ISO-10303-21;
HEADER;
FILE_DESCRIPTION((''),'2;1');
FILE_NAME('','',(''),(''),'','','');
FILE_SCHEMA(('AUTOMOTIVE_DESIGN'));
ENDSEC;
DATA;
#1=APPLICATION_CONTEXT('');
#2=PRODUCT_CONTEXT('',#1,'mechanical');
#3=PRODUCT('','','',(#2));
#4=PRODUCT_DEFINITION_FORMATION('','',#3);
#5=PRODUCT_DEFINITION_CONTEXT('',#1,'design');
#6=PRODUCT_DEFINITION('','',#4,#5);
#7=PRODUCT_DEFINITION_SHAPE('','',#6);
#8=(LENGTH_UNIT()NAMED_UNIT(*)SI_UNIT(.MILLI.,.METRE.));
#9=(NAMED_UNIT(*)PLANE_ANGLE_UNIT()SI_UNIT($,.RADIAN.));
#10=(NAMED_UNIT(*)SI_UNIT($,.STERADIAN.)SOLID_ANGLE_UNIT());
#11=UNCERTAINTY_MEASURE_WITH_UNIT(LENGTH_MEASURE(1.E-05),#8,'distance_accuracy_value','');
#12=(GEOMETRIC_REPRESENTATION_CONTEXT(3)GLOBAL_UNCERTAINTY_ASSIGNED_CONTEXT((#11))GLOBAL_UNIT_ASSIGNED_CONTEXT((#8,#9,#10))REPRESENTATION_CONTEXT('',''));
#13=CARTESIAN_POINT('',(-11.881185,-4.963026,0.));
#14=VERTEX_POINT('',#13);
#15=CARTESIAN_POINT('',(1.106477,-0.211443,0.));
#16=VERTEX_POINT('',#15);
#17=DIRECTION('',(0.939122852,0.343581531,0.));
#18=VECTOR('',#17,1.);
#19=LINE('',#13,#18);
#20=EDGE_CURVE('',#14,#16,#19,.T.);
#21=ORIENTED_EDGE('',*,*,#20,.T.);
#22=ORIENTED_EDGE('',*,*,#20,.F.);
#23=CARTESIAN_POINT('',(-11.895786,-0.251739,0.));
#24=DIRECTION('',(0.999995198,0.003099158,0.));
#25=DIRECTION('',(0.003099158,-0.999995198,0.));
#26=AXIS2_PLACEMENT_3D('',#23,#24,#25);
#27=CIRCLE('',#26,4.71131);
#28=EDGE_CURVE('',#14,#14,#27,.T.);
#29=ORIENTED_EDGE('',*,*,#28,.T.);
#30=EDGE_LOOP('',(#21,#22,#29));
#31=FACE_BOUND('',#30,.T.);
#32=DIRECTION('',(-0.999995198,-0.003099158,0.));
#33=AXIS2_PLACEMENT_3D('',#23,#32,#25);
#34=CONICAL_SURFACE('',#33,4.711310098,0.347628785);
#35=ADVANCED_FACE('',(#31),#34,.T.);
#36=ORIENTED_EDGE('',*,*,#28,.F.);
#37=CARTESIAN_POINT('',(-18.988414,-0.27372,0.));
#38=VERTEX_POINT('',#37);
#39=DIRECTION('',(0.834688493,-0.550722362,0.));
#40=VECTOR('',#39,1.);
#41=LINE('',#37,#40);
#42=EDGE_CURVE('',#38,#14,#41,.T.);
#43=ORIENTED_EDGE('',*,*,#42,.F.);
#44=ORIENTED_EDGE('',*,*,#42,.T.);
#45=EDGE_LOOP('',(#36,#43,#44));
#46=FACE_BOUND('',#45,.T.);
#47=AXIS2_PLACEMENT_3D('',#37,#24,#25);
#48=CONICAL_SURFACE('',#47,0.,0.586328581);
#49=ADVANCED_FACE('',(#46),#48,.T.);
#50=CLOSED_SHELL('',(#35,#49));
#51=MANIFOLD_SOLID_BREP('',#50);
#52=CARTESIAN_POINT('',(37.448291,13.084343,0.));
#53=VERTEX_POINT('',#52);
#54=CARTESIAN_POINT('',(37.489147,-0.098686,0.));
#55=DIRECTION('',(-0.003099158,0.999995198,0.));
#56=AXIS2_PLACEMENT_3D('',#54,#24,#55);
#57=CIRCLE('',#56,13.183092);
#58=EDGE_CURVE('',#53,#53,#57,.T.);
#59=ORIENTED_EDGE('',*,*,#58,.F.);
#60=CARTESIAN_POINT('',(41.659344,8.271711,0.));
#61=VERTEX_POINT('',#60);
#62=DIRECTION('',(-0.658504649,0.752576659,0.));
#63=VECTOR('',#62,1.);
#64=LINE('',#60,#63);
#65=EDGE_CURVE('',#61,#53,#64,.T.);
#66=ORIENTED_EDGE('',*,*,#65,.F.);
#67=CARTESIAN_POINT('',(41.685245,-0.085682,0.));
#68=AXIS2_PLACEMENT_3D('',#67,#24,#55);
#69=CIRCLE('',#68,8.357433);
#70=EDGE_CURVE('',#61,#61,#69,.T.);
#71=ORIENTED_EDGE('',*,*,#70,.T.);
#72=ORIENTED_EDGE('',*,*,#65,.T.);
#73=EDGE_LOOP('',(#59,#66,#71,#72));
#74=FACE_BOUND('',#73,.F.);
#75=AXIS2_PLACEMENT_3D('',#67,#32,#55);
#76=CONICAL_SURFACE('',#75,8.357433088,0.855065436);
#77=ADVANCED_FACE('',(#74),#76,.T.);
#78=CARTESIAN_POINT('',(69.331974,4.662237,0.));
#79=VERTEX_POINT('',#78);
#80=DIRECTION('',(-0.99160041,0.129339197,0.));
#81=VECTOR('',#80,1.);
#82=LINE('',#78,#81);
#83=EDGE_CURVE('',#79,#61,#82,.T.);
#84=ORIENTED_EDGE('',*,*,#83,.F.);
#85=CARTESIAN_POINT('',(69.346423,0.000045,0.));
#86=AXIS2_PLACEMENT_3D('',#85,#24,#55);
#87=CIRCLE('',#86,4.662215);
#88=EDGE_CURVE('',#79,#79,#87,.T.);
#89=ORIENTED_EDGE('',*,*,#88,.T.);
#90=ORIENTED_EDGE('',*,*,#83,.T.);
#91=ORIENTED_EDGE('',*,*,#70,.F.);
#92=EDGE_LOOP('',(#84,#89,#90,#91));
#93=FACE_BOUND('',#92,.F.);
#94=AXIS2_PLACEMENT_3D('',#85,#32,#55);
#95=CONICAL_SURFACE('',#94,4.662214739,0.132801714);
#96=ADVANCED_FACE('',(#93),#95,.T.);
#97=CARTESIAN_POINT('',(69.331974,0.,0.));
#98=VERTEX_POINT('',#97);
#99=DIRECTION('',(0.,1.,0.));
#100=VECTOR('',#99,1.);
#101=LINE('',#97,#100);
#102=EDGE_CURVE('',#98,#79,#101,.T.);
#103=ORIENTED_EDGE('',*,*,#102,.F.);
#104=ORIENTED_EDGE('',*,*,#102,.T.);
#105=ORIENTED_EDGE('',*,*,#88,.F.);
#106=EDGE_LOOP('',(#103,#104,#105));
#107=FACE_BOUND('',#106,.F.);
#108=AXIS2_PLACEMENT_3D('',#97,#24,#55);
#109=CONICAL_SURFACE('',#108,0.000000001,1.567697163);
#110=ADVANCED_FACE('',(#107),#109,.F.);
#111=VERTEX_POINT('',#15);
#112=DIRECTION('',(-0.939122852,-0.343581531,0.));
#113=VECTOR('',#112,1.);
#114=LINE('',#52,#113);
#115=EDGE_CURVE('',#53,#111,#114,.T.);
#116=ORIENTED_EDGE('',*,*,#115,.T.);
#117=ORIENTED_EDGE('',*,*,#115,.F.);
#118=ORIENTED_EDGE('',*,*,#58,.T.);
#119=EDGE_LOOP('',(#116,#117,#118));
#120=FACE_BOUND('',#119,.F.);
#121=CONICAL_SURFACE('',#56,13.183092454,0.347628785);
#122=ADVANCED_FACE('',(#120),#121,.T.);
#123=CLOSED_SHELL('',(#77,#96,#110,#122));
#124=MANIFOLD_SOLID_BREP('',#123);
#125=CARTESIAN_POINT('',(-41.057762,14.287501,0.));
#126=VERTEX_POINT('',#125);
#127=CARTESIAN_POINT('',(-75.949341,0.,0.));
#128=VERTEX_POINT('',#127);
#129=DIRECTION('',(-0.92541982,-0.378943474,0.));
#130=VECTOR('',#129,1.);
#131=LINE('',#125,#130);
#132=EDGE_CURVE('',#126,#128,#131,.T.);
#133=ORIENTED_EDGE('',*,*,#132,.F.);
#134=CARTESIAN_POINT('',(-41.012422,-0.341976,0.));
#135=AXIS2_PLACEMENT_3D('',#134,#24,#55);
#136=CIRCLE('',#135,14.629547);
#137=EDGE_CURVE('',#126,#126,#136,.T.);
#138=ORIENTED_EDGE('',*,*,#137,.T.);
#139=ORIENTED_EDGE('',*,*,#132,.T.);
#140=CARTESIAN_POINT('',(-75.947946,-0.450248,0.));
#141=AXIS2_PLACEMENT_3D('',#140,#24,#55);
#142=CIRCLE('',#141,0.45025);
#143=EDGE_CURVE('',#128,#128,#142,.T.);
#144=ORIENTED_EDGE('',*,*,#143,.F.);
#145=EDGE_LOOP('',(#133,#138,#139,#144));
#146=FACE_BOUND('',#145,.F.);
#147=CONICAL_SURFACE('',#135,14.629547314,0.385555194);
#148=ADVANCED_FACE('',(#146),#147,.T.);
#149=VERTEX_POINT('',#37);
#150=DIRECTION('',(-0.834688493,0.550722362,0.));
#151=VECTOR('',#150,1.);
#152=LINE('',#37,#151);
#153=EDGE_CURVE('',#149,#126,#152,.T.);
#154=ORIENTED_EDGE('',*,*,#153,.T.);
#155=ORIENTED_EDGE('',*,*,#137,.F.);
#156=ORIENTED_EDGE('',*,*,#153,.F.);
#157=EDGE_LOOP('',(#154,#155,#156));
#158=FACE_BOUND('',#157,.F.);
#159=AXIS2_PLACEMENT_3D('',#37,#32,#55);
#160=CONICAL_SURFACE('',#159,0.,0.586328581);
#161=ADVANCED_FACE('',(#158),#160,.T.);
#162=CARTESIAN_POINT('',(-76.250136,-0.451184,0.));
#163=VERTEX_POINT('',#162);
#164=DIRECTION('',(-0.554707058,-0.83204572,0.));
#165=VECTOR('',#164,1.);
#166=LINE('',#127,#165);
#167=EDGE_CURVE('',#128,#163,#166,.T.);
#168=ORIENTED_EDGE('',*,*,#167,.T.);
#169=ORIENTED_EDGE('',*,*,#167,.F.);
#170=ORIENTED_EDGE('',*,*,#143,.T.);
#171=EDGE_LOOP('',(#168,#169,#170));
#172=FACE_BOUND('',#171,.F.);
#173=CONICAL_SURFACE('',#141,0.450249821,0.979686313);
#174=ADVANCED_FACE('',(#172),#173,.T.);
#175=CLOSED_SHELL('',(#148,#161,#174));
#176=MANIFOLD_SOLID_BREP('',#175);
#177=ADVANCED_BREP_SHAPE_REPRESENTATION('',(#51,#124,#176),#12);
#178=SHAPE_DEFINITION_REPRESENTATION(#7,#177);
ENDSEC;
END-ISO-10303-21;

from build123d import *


with BuildPart() as f1:
    # F0 (on Top) → F1 (revolve)
    with BuildSketch(Plane.XY):
        Polygon((-41.0577617586, 14.2875006422), (-75.9493410587, 0), (-76.2501358986, -0.451184198), (-18.9884137192, -0.2737201933), align=None)
    revolve(axis=Axis((-3.4590810537, -0.225592099, 0), (0.9999951976, 0.0030991585, 0)))


with BuildPart() as f1b:
    # F0 (on Top) → F1, piece 2 (revolve)
    with BuildSketch(Plane.XY):
        Polygon((1.1064774595, -0.2114426416), (-18.9884137192, -0.2737201933), (-11.8811847642, -4.963026382), align=None)
    revolve(axis=Axis((-3.4590810537, -0.225592099, 0), (0.9999951976, 0.0030991585, 0)))


with BuildPart() as f1c:
    # F0 (on Top) → F1, piece 3 (revolve)
    with BuildSketch(Plane.XY):
        Polygon((37.4482907355, 13.0843427032), (1.1064774595, -0.2114426416), (69.3319737911, 0), (69.3319737911, 4.6622371301), (41.6593439877, 8.2717109472), align=None)
    revolve(axis=Axis((-3.4590810537, -0.225592099, 0), (0.9999951976, 0.0030991585, 0)))


solid = Compound([f1.part, f1b.part, f1c.part])
